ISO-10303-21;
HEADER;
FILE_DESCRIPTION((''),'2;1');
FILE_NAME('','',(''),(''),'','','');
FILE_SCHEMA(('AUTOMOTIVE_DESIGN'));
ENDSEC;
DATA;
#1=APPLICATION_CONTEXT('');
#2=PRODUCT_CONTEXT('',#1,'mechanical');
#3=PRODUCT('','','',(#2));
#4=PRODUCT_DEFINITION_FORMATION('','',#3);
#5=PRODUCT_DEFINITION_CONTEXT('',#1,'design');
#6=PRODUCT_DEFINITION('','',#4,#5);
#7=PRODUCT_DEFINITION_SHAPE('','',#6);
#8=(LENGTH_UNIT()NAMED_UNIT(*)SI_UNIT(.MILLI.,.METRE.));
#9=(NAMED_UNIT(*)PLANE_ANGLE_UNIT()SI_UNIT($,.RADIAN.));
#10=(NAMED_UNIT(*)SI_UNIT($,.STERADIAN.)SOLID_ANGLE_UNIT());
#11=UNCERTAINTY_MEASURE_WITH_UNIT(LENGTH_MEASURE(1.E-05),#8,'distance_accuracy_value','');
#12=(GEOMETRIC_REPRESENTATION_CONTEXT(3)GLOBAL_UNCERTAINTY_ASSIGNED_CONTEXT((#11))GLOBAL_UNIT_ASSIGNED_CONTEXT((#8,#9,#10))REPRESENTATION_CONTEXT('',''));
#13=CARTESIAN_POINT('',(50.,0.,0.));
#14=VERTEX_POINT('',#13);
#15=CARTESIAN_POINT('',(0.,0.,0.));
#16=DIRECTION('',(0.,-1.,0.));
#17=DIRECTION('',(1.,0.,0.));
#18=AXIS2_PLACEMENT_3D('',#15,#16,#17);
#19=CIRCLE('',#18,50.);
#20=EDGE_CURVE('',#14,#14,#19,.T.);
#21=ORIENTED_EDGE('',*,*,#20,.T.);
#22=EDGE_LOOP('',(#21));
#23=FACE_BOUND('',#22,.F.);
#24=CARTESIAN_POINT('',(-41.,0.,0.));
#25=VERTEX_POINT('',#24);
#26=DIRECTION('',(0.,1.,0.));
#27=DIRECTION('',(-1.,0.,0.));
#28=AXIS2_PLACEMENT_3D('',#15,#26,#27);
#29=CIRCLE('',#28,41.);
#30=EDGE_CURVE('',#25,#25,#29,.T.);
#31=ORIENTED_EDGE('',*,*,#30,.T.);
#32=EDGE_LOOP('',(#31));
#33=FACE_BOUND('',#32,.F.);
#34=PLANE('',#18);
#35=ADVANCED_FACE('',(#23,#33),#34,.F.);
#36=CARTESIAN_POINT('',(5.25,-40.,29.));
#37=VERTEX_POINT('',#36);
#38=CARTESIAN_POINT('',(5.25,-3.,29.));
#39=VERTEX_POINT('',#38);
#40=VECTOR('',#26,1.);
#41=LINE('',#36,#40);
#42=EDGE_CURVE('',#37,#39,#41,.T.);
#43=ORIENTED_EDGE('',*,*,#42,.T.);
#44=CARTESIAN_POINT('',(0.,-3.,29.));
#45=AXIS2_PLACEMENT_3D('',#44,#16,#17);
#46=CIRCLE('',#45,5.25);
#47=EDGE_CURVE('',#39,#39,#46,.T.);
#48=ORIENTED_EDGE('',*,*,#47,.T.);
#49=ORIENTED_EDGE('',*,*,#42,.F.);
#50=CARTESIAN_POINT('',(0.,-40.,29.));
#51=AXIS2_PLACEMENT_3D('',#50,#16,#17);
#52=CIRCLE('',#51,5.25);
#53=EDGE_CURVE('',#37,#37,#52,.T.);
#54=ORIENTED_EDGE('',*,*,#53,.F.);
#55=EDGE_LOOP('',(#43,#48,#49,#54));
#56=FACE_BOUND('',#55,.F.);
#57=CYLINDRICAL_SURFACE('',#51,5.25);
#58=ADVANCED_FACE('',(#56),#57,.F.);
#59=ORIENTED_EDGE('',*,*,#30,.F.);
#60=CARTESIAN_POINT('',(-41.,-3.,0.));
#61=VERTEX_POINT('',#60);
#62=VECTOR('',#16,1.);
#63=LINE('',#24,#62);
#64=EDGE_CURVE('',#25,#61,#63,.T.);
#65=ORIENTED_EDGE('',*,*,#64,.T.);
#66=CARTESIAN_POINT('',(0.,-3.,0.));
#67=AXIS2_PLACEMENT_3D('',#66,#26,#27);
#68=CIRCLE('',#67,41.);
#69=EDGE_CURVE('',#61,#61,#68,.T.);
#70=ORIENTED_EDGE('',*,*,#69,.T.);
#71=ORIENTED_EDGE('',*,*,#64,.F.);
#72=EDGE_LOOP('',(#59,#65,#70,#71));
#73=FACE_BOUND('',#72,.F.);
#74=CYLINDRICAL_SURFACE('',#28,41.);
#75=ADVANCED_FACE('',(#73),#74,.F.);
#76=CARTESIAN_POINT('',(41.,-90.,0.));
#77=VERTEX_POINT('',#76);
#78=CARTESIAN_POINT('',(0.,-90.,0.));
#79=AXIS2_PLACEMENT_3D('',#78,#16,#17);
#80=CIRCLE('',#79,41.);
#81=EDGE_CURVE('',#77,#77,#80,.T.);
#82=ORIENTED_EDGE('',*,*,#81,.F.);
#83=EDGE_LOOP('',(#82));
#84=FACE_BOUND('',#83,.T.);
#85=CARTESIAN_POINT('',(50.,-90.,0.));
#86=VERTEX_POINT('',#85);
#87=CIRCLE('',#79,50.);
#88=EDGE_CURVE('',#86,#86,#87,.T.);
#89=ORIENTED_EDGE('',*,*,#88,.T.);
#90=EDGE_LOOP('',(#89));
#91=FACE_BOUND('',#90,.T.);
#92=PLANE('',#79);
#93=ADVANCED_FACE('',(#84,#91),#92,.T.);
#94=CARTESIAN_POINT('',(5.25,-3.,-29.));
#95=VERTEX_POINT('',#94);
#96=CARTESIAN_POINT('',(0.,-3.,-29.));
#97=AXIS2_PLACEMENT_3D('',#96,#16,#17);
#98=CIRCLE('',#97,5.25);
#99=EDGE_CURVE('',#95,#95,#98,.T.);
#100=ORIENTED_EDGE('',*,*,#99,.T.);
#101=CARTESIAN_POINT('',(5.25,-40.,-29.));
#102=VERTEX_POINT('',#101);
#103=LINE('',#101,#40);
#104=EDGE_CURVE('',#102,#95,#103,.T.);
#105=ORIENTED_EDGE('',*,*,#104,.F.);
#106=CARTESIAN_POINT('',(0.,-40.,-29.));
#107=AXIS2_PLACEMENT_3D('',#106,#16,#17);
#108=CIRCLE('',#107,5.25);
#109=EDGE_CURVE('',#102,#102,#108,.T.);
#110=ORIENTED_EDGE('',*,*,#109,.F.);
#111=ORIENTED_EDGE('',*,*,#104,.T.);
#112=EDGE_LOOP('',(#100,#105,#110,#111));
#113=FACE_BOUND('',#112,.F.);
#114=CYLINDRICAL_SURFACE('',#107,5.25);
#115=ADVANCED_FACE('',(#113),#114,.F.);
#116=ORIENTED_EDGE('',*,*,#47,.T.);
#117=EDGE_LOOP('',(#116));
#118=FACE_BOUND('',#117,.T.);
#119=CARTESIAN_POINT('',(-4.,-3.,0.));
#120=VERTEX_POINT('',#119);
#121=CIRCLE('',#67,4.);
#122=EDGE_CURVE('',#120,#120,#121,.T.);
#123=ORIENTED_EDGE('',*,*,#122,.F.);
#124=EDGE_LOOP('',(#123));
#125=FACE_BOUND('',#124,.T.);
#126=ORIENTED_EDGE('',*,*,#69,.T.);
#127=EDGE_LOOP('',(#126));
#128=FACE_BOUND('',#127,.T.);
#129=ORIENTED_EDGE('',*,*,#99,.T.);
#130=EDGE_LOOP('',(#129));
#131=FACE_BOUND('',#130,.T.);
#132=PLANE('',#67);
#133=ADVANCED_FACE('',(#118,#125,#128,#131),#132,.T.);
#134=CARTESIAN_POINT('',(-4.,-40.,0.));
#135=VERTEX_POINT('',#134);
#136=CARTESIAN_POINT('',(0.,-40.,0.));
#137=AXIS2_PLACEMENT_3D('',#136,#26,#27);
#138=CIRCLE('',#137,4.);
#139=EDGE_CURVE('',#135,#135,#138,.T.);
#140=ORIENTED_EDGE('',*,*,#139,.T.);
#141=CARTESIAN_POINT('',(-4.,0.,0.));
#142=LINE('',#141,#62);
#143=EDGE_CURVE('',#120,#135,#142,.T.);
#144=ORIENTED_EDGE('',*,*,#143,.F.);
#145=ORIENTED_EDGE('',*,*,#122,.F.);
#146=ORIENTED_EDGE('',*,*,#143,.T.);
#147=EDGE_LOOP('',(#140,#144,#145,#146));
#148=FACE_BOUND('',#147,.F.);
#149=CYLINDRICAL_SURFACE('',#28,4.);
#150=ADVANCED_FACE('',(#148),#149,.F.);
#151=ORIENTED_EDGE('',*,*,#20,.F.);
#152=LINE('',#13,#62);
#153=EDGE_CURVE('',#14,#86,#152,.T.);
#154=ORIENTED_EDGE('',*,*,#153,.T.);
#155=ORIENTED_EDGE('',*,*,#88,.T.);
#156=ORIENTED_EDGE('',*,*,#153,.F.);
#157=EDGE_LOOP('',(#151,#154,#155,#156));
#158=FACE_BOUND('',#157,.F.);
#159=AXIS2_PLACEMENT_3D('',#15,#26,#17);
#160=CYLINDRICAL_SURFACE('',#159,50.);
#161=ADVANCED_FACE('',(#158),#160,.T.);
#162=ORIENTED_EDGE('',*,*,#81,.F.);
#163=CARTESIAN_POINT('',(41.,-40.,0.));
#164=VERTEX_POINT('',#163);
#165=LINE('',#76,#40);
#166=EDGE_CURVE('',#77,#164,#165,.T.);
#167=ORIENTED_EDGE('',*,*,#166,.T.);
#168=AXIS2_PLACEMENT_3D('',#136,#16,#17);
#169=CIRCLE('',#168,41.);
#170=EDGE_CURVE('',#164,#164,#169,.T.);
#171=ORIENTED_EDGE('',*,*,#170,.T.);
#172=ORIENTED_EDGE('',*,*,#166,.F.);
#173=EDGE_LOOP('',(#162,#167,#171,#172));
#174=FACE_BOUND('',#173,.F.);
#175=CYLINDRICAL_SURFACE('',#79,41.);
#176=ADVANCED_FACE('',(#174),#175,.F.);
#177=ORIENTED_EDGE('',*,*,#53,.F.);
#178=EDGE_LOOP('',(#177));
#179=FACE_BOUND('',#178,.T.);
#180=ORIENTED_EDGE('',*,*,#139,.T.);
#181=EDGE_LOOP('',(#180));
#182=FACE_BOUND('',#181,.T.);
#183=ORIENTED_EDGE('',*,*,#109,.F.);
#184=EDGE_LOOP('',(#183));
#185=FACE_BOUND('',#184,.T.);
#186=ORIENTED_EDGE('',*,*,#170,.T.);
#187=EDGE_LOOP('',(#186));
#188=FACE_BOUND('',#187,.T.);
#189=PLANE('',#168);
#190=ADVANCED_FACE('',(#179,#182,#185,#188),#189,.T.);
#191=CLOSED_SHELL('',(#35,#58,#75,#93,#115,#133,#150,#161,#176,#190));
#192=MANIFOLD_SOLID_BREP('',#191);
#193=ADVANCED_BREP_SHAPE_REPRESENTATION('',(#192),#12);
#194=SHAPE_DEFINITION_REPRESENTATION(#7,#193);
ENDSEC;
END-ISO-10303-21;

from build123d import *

# Parameters (mm, degrees)
F0_R     = 50
F1_DEPTH = 90
F2_R     = 41
F3_DEPTH = 50
F4_R     = 4
F5_DEPTH = 151
F6_R     = 41
F7_DEPTH = 3
F8_R     = 5.25
F9_DEPTH = 72


with BuildPart() as f1:
    # F0 (on Front) → F1 (new body)
    with BuildSketch(Plane.XZ):
        Circle(F0_R)
    extrude(amount=F1_DEPTH)

    # F2 (on face) → F3 (cut)
    with BuildSketch(Plane.XZ.offset(90)):
        Circle(F2_R)
    extrude(amount=-F3_DEPTH, mode=Mode.SUBTRACT)

    # F4 (on face) → F5 (cut)
    with BuildSketch(Plane(origin=(0, 0, 0), x_dir=(-1, 0, 0), z_dir=(0, 1, 0))):
        Circle(F4_R)
    extrude(amount=-F5_DEPTH, mode=Mode.SUBTRACT)

    # F6 (on face) → F7 (cut)
    with BuildSketch(Plane(origin=(0, 0, 0), x_dir=(-1, 0, 0), z_dir=(0, 1, 0))):
        Circle(F6_R)
    extrude(amount=-F7_DEPTH, mode=Mode.SUBTRACT)

    # F8 (on face) → F9 (cut)
    with BuildSketch(Plane.XZ.offset(40)):
        with Locations((0, 29)):
            Circle(F8_R)
        with Locations((0, -29)):
            Circle(F8_R)
    extrude(amount=-F9_DEPTH, mode=Mode.SUBTRACT)


solid = f1.part
